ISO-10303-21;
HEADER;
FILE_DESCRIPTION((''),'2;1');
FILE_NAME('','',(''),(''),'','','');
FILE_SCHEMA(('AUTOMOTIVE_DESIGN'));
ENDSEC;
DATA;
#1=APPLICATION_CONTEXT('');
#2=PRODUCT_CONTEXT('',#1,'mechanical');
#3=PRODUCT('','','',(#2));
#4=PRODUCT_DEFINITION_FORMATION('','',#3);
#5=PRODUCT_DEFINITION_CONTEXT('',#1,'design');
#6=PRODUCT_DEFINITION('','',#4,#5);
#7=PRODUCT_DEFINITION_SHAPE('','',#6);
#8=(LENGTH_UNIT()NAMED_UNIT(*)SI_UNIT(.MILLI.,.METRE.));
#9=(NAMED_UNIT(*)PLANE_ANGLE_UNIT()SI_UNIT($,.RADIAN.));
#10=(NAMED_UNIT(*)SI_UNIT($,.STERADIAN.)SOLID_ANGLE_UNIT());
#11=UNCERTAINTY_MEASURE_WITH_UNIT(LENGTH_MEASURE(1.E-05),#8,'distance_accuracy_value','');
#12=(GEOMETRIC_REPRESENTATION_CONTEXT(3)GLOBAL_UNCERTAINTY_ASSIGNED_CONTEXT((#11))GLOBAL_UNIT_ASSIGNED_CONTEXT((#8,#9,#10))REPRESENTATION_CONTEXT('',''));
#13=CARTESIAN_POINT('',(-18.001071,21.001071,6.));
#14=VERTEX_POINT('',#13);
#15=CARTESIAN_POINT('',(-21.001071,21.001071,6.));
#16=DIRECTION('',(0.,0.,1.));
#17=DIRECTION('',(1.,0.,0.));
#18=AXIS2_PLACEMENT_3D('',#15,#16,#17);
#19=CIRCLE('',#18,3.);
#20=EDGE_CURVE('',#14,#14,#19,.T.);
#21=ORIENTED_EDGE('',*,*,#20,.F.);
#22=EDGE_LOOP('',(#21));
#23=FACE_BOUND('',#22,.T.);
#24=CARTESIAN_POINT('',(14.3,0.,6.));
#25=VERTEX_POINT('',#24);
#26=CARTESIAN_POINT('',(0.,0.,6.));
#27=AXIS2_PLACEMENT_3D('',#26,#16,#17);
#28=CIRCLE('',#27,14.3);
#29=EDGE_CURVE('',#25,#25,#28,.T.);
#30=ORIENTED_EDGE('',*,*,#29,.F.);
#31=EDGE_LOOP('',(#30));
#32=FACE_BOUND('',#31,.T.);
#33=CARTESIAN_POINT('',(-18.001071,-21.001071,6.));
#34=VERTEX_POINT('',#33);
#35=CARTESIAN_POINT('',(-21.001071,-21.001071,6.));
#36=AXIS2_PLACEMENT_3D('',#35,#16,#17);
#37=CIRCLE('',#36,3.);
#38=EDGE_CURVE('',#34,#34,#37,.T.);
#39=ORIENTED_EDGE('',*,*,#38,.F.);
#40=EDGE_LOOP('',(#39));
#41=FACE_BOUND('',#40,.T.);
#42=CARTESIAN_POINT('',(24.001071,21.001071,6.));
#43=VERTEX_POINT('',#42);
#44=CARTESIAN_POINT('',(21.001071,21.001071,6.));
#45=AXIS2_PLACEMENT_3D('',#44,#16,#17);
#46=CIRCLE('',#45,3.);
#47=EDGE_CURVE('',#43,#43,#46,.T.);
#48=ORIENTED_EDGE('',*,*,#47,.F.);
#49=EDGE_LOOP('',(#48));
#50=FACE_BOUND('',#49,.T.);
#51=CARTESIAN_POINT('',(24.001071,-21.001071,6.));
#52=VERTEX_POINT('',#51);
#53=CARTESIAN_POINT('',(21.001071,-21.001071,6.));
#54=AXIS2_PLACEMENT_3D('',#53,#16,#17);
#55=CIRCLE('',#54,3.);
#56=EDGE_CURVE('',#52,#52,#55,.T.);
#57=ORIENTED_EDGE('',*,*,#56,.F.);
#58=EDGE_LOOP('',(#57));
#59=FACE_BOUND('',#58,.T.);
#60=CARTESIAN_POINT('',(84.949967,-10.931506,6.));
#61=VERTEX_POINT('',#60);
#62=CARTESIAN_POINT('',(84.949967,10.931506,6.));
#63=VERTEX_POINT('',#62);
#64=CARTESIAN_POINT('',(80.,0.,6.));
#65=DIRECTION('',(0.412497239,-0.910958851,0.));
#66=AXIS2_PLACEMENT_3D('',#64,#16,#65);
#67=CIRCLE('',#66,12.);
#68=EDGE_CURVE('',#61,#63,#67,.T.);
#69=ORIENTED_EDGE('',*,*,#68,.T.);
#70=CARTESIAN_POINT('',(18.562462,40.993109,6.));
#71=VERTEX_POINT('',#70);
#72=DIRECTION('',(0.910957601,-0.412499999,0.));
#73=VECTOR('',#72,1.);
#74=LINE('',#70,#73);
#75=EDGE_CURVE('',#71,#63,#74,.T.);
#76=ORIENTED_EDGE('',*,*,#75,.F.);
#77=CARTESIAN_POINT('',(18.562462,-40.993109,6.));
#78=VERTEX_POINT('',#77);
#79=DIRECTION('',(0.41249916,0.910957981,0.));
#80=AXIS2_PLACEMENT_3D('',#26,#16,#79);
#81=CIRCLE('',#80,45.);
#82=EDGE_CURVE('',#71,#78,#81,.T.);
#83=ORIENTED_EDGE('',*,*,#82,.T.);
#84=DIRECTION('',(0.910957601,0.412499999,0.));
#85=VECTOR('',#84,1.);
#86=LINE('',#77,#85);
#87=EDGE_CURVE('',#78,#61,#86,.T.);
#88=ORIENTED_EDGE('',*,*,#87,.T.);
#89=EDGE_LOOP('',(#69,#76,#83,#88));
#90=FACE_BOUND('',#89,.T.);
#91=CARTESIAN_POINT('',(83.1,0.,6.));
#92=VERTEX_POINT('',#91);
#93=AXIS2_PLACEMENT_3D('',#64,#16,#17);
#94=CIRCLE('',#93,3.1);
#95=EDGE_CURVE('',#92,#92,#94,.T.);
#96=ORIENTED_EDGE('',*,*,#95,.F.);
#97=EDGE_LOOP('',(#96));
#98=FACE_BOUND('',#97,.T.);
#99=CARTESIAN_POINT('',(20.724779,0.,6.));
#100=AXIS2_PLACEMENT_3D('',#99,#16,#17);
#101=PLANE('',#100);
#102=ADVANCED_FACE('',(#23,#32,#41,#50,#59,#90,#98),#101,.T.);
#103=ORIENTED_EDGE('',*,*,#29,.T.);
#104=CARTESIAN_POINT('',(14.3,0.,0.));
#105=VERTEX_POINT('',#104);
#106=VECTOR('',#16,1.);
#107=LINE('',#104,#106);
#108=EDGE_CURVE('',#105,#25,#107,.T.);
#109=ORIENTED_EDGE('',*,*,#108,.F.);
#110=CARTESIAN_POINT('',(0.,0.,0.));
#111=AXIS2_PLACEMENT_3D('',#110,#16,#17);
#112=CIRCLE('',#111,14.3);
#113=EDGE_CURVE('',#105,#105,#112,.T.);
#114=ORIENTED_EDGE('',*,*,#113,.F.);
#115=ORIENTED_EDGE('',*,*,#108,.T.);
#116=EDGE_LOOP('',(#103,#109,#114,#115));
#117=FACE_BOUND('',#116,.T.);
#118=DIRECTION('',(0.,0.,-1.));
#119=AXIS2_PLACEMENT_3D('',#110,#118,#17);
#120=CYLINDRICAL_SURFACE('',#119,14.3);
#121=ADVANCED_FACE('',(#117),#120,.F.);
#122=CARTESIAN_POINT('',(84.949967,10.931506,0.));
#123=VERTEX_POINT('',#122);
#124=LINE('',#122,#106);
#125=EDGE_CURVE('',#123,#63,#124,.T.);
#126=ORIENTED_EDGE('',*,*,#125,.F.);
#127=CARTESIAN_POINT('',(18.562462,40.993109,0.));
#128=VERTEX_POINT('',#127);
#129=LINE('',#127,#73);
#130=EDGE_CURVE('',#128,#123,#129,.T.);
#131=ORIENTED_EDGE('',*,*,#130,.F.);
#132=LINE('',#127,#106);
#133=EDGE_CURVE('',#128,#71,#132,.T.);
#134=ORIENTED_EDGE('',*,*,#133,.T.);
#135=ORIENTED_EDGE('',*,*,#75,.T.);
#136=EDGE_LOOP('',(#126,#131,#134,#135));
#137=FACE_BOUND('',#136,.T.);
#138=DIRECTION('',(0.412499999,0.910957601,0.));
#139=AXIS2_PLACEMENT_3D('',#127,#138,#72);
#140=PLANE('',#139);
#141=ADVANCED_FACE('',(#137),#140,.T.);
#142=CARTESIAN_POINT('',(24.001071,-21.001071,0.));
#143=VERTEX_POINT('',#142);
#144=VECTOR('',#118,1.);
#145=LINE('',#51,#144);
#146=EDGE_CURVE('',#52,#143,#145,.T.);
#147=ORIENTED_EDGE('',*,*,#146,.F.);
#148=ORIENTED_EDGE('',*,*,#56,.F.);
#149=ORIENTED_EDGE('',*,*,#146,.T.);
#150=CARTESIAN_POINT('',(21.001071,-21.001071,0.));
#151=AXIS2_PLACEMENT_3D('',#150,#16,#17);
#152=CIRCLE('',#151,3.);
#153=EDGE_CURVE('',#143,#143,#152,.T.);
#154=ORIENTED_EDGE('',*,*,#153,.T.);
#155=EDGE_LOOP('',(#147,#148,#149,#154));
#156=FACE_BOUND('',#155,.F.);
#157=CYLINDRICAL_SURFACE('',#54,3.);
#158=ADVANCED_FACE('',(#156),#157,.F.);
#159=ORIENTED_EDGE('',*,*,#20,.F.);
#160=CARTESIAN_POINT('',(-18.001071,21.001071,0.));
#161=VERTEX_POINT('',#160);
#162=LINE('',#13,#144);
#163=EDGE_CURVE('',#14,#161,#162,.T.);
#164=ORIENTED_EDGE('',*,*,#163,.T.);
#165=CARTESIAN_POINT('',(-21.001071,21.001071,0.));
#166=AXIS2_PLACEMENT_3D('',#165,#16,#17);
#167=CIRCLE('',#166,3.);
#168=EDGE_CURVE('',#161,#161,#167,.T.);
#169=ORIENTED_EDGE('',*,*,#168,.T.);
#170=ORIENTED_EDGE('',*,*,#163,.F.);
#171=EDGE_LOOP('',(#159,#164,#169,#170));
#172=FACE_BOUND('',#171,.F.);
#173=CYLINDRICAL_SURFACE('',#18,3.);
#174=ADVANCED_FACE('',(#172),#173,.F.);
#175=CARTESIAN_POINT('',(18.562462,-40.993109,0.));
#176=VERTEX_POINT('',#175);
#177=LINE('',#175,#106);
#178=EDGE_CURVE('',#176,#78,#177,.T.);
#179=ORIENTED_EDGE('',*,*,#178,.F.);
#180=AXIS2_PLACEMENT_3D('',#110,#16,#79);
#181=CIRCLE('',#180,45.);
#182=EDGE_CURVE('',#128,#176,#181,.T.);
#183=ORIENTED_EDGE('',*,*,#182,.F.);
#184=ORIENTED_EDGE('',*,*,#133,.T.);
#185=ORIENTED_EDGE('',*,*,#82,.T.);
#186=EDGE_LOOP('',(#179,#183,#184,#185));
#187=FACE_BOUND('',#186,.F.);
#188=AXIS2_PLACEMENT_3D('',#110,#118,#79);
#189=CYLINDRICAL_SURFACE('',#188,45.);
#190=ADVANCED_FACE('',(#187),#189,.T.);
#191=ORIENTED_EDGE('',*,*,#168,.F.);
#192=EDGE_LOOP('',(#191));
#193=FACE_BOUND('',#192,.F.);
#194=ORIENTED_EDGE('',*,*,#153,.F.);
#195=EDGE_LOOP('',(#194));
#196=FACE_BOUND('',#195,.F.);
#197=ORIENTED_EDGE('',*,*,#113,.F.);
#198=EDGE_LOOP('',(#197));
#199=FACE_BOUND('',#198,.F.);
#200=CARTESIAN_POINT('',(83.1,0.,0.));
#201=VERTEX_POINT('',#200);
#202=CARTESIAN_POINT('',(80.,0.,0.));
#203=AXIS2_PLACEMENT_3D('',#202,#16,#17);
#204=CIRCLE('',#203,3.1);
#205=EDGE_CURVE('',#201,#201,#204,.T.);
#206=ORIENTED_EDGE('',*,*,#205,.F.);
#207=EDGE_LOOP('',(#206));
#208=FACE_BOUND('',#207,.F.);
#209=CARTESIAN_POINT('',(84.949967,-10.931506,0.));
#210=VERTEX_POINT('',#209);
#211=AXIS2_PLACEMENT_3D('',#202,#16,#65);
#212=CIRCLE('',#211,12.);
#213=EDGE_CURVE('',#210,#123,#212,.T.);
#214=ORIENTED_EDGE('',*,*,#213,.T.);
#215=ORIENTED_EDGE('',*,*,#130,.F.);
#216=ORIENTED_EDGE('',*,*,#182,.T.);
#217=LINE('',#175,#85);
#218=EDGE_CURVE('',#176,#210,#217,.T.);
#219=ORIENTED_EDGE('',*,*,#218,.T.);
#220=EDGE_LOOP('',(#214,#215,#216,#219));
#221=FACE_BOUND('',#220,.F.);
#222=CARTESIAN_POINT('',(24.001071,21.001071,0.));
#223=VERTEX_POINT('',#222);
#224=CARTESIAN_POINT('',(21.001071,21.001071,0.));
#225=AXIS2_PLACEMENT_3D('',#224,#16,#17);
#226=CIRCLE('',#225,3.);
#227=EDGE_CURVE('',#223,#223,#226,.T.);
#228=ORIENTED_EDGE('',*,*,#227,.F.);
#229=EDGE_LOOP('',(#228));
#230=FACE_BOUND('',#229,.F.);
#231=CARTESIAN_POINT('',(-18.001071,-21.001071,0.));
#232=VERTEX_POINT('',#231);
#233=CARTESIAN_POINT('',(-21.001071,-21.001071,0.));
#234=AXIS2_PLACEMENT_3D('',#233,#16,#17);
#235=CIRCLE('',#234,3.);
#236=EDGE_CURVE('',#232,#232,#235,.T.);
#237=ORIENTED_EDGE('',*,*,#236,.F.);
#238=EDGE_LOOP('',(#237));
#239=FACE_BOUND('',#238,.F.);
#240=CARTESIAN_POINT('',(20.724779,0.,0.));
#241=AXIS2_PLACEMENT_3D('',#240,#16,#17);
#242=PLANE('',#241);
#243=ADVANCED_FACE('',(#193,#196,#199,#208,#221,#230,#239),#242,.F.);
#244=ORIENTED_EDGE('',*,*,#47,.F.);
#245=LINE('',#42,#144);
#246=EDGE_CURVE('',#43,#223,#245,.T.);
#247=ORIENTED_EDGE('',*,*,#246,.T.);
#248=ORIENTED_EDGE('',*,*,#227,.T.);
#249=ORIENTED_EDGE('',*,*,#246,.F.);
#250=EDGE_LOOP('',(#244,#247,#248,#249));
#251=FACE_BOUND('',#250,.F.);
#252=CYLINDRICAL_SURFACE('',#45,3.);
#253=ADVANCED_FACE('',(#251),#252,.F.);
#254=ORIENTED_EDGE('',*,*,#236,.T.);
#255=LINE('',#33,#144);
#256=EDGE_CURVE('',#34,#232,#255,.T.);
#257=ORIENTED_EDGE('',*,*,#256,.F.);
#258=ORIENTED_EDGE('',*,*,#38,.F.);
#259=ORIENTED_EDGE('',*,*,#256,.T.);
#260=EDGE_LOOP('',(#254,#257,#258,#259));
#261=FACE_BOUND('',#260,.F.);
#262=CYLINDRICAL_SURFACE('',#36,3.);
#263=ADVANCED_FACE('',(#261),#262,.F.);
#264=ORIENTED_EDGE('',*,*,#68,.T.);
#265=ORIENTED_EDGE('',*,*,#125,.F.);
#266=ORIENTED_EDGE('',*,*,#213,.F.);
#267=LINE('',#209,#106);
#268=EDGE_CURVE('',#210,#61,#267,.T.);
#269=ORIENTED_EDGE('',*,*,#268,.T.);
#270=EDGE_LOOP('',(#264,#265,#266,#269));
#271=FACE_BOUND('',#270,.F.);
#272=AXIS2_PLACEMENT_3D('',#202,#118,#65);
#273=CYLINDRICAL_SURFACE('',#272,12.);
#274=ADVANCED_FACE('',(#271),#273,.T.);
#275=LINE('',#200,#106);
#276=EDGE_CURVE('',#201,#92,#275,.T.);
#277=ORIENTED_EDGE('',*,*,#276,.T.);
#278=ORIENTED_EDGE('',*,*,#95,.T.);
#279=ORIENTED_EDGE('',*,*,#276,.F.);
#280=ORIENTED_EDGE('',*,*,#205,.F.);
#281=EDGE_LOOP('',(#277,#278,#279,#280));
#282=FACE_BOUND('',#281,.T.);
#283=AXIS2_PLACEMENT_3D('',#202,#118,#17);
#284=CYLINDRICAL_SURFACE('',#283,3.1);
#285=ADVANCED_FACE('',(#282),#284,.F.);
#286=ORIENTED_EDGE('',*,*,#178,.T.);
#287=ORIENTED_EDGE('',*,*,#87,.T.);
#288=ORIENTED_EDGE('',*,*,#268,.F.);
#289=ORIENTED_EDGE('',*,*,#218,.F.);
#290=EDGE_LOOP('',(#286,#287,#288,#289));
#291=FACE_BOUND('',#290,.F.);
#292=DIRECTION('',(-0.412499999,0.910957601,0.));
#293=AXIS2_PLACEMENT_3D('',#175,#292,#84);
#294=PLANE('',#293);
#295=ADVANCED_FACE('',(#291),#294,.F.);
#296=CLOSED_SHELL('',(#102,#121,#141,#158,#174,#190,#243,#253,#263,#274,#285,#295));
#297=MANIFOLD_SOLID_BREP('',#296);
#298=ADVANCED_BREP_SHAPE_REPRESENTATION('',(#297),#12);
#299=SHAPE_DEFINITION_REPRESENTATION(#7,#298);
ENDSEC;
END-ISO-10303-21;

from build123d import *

# Parameters (mm, degrees)
SKETCH_R     = 14.3
SKETCH_R_2   = 3.1
PAD_DEPTH    = 6
SKETCH001_R  = 3
POCKET_DEPTH = 10


with BuildPart() as part:
    # Sketch → Pad (new body)
    with BuildSketch(Plane.XY):
        with BuildLine():
            ThreePointArc((18.562462, 40.993109), (-45, 0), (18.562462, -40.993109))
            Line((18.562462, -40.993109), (84.949967, -10.931506))
            ThreePointArc((84.949967, -10.931506), (92, 0), (84.949967, 10.931506))
            Line((18.562462, 40.993109), (84.949967, 10.931506))
        make_face()
        Circle(SKETCH_R, mode=Mode.SUBTRACT)
        with Locations((80, 0)):
            Circle(SKETCH_R_2, mode=Mode.SUBTRACT)
    extrude(amount=PAD_DEPTH)

    # Sketch001 → Pocket (cut)
    with BuildSketch(Plane.XY.offset(6)):
        with Locations((-21.001071, 21.001071)):
            Circle(SKETCH001_R)
        with Locations((21.001071, 21.001071)):
            Circle(SKETCH001_R)
        with Locations((-21.001071, -21.001071)):
            Circle(SKETCH001_R)
        with Locations((21.001071, -21.001071)):
            Circle(SKETCH001_R)
    extrude(amount=-POCKET_DEPTH, mode=Mode.SUBTRACT)


solid = part.part
